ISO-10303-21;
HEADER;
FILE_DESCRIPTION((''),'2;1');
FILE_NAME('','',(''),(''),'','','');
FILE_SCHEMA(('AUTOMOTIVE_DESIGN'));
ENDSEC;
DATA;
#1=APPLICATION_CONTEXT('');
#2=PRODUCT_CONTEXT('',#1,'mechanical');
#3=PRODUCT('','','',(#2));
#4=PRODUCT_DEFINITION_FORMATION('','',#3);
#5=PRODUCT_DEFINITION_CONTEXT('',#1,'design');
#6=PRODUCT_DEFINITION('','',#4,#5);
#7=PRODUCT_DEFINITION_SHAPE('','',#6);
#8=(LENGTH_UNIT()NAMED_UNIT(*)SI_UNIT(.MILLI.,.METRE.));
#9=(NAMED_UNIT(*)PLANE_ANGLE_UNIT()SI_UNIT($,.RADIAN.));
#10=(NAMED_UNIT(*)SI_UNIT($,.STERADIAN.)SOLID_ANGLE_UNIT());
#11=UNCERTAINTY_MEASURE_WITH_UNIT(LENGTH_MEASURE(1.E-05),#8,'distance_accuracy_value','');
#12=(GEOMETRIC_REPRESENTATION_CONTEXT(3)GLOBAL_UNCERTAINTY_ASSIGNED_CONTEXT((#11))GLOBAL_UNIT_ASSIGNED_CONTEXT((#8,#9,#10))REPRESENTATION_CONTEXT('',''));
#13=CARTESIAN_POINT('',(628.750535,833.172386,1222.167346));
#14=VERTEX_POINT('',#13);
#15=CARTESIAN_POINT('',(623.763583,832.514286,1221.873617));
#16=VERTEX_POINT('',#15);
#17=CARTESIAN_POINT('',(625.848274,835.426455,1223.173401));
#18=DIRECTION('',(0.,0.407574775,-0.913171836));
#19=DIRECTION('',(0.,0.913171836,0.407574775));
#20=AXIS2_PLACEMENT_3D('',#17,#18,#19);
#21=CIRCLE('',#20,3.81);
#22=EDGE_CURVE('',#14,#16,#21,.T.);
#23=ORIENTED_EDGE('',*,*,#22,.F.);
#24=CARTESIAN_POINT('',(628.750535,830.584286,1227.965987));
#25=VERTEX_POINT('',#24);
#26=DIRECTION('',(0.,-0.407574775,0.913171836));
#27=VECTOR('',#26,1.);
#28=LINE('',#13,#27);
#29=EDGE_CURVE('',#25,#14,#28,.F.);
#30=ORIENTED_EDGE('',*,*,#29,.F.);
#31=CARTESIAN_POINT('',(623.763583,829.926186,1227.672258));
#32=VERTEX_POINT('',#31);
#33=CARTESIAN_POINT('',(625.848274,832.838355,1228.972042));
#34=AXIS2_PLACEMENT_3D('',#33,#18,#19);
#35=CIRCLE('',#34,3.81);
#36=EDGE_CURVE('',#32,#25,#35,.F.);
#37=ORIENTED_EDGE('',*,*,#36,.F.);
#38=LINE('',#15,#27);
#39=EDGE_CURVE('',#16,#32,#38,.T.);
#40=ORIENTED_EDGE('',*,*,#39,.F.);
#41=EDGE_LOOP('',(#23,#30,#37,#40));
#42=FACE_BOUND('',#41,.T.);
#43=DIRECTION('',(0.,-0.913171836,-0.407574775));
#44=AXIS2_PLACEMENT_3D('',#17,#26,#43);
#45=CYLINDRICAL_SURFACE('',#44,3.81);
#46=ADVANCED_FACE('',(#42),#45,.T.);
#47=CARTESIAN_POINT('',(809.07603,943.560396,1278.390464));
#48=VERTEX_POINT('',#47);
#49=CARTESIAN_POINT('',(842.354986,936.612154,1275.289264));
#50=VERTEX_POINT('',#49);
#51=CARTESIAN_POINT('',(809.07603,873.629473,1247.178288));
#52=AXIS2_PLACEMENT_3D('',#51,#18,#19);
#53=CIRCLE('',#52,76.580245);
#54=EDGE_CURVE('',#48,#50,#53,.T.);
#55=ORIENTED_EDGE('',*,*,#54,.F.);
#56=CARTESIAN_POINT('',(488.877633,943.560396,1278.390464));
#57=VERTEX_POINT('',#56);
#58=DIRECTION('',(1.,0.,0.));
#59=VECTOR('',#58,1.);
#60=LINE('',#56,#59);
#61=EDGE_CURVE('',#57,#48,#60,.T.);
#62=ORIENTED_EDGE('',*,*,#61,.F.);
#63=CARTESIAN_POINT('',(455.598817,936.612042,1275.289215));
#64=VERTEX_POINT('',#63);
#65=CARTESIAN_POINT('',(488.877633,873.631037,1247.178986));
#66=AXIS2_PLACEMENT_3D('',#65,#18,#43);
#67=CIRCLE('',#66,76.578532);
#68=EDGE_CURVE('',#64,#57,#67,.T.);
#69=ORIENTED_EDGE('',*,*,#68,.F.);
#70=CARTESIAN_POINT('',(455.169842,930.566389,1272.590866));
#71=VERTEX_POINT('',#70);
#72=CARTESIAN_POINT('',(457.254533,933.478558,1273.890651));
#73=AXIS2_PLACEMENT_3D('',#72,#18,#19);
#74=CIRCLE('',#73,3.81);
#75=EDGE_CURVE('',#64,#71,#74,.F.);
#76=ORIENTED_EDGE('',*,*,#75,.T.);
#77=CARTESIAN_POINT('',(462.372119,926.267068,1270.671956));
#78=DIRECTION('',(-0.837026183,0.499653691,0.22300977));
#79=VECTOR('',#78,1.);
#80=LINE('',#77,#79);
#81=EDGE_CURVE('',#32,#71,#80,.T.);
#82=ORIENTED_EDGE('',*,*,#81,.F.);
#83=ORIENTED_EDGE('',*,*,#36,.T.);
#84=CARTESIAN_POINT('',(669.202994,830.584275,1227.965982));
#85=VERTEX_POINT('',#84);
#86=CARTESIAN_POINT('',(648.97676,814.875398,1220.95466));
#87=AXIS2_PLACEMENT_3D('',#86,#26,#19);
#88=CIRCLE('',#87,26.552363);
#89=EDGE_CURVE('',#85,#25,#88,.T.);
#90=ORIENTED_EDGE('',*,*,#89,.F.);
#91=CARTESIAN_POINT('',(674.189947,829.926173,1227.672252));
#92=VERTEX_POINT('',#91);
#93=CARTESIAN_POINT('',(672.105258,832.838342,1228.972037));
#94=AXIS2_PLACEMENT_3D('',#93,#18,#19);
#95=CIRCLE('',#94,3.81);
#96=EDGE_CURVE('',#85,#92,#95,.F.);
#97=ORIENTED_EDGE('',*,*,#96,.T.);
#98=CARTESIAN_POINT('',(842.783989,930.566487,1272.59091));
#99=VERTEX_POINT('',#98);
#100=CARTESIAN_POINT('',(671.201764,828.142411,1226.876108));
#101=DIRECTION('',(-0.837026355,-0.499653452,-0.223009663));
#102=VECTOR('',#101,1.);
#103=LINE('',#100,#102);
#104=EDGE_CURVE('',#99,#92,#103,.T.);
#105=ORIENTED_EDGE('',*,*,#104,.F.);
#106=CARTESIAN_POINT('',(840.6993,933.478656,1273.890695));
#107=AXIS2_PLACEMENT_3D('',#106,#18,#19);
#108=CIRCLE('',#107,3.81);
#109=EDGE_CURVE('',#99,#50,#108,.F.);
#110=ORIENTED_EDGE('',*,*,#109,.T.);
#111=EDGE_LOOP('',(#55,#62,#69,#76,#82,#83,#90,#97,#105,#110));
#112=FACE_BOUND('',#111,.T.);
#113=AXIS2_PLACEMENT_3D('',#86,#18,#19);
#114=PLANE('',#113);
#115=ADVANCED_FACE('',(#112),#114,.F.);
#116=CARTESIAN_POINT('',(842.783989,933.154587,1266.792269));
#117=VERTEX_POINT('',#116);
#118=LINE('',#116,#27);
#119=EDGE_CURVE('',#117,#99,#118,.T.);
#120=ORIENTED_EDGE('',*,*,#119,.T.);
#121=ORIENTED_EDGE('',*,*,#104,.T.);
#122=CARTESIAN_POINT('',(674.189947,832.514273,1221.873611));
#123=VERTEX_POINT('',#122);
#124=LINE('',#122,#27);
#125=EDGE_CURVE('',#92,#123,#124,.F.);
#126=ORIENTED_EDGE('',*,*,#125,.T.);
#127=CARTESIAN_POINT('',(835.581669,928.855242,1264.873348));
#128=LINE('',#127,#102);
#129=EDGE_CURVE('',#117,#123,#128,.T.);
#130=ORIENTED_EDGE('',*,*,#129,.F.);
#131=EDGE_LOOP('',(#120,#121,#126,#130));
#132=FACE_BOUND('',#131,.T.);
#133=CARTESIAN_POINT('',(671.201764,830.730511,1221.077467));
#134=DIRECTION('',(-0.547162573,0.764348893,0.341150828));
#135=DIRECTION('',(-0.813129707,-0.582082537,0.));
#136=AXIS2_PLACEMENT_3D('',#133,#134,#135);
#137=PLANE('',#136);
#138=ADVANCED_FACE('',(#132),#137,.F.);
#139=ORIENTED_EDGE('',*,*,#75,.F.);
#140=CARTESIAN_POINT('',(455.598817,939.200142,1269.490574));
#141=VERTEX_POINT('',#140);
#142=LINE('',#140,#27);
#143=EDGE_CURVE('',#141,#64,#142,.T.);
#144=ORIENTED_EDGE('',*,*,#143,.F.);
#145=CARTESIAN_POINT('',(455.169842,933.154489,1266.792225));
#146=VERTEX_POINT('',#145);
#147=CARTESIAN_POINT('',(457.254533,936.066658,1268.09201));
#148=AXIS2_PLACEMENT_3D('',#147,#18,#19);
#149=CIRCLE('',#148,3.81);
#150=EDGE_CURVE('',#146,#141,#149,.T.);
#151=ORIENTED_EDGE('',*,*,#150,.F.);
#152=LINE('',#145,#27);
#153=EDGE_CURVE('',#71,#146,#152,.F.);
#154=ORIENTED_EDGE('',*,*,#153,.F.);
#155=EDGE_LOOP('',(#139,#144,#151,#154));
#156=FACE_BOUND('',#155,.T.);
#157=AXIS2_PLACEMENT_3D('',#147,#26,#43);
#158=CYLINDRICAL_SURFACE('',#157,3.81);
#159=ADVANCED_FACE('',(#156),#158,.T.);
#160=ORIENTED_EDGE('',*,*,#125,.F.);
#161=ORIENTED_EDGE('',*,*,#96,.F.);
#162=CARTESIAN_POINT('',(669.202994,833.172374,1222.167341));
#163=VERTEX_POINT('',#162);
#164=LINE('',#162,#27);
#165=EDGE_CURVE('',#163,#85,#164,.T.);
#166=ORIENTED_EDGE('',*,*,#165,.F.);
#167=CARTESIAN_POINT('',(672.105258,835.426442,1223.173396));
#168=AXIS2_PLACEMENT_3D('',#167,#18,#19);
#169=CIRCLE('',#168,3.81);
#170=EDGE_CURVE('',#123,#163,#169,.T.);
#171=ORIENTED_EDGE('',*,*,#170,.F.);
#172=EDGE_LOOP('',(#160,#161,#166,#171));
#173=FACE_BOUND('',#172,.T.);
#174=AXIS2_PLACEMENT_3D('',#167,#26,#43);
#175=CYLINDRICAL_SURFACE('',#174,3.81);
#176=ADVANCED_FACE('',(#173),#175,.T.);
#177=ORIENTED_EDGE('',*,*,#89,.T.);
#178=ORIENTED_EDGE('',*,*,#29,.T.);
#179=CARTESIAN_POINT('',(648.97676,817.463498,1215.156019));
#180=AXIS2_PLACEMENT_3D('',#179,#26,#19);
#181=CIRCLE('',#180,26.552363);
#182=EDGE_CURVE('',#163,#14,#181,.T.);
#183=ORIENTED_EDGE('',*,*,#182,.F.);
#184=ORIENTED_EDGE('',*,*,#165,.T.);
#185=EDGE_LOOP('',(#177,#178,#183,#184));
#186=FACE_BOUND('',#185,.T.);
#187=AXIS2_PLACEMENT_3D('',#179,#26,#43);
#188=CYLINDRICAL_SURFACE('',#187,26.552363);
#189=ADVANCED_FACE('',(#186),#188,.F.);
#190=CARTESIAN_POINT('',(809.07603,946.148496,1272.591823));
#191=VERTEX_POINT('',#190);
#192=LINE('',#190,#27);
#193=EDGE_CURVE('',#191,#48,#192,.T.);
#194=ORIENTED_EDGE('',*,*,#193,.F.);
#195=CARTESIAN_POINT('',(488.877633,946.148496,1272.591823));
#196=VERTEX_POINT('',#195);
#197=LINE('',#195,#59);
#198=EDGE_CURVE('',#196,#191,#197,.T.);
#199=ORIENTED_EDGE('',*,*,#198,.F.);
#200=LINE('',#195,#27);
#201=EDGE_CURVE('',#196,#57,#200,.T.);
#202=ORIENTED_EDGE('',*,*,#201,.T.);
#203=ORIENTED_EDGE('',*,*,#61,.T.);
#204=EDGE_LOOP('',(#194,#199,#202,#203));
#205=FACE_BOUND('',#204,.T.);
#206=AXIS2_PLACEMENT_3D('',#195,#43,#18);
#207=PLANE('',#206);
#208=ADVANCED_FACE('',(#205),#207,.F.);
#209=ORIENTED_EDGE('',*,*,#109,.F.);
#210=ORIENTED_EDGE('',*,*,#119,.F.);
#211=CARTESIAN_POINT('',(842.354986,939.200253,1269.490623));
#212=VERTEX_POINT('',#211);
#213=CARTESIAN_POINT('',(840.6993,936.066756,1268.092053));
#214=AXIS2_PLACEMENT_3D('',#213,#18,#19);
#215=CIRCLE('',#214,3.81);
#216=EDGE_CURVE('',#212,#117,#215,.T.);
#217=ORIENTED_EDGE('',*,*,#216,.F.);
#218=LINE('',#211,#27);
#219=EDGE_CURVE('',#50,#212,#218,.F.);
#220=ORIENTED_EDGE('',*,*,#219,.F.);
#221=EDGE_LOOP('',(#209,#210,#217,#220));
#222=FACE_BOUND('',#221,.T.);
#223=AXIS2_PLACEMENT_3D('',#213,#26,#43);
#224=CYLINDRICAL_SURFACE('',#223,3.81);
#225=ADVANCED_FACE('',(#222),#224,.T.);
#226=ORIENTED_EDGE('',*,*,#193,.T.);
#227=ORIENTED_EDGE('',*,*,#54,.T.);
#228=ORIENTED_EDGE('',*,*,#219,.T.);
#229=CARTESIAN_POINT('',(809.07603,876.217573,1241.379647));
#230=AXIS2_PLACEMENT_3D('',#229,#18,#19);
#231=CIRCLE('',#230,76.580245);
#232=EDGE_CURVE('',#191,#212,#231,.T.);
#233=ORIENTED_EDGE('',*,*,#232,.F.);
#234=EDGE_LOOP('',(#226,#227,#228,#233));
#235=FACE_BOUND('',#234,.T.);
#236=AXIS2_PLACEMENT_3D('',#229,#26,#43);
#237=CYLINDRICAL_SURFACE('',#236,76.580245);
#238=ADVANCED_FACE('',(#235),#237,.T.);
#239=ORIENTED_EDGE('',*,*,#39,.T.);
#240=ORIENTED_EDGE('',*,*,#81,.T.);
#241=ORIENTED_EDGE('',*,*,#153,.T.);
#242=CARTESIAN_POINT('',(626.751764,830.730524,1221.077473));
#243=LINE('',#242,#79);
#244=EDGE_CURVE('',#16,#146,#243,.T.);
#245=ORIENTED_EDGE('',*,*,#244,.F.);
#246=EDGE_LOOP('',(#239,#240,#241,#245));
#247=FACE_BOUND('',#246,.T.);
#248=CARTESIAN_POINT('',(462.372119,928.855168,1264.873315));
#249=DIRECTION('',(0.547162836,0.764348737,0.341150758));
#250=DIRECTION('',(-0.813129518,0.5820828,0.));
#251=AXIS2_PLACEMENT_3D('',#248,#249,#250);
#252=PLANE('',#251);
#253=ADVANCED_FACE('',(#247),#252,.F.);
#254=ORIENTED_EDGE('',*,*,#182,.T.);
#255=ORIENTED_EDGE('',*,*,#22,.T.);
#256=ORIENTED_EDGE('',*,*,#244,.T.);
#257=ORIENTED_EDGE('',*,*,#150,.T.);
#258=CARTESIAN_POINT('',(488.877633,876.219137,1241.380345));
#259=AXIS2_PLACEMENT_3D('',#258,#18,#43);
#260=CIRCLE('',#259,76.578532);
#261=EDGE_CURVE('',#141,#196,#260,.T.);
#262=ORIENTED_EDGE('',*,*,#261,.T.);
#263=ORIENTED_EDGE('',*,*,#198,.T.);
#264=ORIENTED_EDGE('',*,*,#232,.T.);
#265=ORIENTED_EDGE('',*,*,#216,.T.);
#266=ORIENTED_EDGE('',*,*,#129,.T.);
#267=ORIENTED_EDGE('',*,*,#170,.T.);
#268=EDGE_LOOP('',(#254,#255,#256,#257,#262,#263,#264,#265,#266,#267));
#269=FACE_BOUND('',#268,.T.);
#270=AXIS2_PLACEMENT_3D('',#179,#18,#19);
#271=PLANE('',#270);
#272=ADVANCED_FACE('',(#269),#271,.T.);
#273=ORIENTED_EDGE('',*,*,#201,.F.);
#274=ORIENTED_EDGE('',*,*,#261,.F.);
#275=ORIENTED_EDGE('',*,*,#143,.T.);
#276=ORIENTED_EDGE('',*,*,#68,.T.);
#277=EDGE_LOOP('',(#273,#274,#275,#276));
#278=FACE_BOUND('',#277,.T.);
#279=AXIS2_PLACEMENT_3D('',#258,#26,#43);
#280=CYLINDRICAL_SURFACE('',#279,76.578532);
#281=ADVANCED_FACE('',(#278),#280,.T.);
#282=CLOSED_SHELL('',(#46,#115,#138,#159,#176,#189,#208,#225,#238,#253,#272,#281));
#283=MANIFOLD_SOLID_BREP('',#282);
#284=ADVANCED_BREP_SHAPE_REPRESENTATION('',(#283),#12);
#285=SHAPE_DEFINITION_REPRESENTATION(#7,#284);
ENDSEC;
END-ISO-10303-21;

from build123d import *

# Parameters (mm, degrees)
BOSS_EXTRUDE1_DEPTH = 6.35
FILLET1_R           = 3.81


with BuildPart() as part:
    # Sketch3 → Boss-Extrude1 (new body)
    with BuildSketch(Plane(origin=(809.076030053, 943.560396052, 1278.390464274), x_dir=(-1, 0, 0), z_dir=(0, 0.4075747752498649, -0.913171836282757))):
        with BuildLine():
            Line((137.874265639, -126.392405854), (-26.505638525, -18.937567822))
            Line((-26.505638525, -18.937567822), (-39.07644953, -10.720052017))
            ThreePointArc((-39.07644953, -10.720052017), (-20.260111199, -2.728624711), (0, 0))
            Line((0, 0), (320.198396744, 0))
            ThreePointArc((320.198396744, 0), (340.458416927, -2.728663039), (359.274618149, -10.720195518))
            Line((359.274618149, -10.720195518), (346.703910708, -18.937649247))
            Line((346.703910708, -18.937649247), (182.324265639, -126.392391447))
            ThreePointArc((182.324265639, -126.392391447), (160.099261742, -114.368537545), (137.874265639, -126.392405854))
        make_face()
    extrude(amount=BOSS_EXTRUDE1_DEPTH)

    # Fillet1
    fillet1_edges = [part.edges().sort_by_distance(p)[0] for p in [
        (671.201764414, 829.436460617, 1223.976787284),
        (848.152479583, 935.065196378, 1271.121920902),
        (449.801411904, 935.065065337, 1271.121862415),
        (626.751764414, 829.436473773, 1223.976793156),
    ]]
    fillet(fillet1_edges, radius=FILLET1_R)


solid = part.part
